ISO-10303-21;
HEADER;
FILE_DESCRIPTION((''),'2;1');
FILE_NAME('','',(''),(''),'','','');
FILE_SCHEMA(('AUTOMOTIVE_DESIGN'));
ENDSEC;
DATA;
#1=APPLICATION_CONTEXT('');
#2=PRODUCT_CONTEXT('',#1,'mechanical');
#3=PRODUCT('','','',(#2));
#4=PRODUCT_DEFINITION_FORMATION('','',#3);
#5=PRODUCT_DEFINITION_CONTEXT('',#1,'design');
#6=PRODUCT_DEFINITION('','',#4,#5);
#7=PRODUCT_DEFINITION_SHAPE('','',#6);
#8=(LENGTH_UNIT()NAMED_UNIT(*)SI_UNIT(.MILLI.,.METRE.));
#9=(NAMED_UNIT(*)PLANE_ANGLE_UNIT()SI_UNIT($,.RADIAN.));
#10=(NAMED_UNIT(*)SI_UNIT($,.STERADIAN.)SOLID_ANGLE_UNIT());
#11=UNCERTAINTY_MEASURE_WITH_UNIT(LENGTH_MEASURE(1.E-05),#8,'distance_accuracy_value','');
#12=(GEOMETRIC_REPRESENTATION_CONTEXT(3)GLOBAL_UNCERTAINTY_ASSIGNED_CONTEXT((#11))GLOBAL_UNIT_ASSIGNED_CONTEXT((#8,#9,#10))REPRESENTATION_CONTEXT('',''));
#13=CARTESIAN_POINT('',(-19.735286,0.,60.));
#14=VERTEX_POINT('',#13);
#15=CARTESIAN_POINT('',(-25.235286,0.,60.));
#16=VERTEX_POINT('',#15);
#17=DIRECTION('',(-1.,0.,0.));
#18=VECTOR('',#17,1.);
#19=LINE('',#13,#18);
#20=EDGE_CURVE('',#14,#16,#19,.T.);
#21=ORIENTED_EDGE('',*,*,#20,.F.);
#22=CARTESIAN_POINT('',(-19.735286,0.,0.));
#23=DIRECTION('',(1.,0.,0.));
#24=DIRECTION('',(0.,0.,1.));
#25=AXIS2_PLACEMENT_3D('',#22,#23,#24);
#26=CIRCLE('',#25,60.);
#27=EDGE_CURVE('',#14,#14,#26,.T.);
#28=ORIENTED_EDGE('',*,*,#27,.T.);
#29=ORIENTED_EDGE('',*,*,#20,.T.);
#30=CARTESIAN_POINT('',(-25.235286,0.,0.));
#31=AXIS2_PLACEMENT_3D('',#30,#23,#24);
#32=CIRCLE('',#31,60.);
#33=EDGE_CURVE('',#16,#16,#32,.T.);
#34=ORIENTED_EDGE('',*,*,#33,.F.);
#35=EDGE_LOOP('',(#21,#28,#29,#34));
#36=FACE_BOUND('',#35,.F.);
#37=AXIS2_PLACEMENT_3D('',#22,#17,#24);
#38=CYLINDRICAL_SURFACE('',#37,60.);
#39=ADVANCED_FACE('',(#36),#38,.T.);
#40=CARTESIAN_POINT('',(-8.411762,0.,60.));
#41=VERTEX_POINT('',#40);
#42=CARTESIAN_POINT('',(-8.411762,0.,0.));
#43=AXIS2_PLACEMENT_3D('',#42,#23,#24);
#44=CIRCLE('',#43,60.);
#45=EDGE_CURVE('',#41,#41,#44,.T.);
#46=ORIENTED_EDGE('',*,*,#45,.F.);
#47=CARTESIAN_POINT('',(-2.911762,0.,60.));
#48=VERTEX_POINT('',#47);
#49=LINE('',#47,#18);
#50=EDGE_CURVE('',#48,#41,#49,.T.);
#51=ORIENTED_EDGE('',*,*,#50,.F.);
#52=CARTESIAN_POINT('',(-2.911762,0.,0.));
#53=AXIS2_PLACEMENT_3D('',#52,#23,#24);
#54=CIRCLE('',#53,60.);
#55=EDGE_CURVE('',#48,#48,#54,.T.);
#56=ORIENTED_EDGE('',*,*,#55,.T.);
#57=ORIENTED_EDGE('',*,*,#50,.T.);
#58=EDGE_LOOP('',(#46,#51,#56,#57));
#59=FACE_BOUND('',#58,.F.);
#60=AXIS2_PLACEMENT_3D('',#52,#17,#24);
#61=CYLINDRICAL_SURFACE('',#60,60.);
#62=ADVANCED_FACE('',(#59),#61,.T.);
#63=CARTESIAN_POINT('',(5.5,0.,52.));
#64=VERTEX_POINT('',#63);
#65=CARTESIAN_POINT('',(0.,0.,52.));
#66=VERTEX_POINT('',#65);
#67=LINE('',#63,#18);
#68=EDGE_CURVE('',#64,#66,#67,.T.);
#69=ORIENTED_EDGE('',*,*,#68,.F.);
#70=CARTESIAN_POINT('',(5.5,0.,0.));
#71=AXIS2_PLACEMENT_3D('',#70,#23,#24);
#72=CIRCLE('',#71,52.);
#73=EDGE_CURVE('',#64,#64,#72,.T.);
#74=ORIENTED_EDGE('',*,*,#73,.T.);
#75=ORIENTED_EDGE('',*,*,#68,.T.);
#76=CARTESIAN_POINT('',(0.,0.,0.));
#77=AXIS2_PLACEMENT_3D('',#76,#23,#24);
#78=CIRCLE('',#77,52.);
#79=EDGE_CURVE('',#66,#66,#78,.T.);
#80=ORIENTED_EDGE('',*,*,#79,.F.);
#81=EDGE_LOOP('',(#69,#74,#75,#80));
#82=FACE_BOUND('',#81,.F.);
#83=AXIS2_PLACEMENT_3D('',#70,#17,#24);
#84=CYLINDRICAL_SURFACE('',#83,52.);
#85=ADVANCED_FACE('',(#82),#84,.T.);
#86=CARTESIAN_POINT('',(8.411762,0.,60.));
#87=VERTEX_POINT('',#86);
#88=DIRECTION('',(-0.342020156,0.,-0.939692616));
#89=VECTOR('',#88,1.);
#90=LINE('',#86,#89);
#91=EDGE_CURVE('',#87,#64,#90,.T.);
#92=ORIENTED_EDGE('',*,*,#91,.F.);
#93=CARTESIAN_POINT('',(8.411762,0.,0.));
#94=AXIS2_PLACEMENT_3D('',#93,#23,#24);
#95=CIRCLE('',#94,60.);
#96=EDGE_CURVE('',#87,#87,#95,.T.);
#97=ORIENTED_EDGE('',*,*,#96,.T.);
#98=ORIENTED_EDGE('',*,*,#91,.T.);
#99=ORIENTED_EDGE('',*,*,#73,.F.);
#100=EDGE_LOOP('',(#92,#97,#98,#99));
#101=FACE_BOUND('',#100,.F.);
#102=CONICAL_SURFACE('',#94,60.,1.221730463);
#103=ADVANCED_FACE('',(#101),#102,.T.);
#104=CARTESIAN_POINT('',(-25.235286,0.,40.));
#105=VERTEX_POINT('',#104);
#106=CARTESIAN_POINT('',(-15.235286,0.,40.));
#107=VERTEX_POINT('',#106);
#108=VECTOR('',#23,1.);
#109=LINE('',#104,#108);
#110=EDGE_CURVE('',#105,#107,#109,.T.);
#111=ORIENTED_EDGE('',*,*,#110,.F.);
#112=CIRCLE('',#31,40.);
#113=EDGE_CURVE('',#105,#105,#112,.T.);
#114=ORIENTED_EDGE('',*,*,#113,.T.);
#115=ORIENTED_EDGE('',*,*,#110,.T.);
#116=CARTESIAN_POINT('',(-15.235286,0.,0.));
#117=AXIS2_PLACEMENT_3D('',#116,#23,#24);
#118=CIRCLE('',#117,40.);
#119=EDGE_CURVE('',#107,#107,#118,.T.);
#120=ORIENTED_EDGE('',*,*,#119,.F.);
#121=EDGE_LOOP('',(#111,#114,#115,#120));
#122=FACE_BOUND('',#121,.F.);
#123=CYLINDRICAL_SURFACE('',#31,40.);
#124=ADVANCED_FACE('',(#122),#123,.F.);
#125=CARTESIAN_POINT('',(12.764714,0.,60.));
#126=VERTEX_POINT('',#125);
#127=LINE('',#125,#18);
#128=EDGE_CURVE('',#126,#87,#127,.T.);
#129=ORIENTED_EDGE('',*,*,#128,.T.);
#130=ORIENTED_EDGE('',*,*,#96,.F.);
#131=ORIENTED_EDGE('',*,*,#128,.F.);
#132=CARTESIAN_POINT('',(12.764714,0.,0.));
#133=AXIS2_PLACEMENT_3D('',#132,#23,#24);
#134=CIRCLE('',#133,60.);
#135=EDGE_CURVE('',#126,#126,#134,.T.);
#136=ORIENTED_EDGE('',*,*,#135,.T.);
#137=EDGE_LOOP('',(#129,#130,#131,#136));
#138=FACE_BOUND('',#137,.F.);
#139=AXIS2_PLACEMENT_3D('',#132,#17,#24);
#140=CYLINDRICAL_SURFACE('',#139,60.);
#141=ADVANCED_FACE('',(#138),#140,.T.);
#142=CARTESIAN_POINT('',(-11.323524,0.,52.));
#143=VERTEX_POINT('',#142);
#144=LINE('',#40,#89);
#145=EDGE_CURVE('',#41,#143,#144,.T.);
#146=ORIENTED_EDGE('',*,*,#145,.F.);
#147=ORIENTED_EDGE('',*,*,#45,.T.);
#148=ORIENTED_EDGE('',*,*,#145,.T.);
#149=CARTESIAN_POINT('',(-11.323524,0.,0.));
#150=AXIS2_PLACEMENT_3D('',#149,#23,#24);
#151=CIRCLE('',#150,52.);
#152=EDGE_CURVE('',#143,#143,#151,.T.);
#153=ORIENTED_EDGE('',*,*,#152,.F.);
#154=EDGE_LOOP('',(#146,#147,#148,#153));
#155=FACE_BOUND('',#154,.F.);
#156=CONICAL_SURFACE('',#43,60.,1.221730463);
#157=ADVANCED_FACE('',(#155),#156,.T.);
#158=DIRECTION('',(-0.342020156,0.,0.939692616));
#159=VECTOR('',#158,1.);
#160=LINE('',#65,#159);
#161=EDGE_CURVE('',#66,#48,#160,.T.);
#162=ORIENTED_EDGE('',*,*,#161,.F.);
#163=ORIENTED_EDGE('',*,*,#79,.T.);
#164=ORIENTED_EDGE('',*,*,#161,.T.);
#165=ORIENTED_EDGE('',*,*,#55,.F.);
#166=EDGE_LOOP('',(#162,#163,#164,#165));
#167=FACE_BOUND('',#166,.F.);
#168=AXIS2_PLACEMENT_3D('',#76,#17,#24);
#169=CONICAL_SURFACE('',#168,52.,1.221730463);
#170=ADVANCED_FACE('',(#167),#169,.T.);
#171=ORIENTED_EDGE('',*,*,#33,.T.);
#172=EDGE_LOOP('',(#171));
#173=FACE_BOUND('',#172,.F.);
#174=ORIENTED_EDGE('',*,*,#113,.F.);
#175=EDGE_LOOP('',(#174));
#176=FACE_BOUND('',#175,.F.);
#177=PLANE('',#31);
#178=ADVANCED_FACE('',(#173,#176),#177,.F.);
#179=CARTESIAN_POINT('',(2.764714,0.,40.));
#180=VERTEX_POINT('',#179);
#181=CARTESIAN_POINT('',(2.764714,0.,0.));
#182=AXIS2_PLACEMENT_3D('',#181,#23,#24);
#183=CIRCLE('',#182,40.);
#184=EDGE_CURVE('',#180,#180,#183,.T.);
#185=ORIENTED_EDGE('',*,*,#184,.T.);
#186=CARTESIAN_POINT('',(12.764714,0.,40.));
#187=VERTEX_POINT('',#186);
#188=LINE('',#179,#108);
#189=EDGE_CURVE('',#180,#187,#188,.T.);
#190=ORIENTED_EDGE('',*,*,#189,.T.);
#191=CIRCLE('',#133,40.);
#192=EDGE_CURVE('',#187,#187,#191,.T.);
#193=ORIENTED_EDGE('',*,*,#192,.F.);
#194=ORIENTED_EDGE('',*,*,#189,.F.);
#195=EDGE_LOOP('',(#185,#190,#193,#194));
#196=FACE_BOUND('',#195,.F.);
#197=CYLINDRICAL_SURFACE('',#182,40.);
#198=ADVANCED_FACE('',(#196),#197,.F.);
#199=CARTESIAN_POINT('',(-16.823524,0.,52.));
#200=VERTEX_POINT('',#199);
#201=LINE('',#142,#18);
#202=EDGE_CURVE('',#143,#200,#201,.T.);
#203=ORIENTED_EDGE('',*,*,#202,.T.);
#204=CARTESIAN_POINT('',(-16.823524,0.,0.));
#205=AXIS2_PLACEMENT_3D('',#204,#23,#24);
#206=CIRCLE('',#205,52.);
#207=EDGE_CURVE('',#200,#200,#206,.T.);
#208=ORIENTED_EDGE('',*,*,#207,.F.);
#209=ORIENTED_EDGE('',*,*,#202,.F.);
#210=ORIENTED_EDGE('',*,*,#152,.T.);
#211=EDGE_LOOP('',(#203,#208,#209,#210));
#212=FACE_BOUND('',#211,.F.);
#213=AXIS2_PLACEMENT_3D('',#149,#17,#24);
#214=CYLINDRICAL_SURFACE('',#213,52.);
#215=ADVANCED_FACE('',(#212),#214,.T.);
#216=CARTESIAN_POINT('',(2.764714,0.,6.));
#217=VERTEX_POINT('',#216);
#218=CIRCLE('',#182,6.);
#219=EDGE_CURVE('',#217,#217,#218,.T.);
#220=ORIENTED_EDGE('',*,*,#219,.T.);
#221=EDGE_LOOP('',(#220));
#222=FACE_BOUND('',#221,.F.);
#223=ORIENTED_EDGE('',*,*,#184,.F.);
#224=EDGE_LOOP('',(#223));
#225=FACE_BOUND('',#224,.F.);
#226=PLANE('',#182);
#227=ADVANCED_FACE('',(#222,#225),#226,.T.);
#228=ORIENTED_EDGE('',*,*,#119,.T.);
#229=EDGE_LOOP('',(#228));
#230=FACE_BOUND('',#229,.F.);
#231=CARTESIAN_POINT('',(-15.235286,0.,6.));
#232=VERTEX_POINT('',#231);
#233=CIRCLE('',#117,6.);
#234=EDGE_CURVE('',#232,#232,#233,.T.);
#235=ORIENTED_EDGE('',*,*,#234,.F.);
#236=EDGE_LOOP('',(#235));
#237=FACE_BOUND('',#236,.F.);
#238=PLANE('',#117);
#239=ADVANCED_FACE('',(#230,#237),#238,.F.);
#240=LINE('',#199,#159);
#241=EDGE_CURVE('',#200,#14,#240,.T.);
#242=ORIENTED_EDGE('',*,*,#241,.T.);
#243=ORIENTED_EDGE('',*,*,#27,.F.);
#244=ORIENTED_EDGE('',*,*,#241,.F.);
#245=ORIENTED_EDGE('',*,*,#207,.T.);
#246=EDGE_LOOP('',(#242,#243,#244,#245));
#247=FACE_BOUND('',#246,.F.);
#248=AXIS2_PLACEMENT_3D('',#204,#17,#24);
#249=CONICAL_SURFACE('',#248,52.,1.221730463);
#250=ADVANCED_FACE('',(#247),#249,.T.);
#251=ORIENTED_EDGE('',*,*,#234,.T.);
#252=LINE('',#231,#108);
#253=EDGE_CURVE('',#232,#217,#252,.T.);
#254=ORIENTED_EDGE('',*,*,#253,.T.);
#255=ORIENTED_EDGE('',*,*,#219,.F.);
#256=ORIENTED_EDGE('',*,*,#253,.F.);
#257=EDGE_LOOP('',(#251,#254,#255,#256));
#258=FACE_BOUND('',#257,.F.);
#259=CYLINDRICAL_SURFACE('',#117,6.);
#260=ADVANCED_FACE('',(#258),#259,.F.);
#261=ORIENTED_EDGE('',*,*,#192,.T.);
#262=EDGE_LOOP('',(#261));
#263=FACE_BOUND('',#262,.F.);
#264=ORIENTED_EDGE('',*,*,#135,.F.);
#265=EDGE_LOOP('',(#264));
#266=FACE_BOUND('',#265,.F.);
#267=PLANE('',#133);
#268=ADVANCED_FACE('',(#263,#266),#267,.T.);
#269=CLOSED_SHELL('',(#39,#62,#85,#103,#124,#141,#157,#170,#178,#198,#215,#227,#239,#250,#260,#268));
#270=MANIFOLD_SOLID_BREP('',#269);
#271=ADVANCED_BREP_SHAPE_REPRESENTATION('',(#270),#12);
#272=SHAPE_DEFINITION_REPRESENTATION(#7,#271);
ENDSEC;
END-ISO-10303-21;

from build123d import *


with BuildPart() as f1:
    # F0 (on Front) → F1 (revolve)
    with BuildSketch(Plane.XZ):
        Polygon((-15.235286, 40), (-15.235286, 6), (2.764714, 6), (2.764714, 40), (12.764714, 40), (12.764714, 60), (8.411762, 60), (5.5, 52), (0, 52), (-2.911762, 60), (-8.411762, 60), (-11.323524, 52), (-16.823524, 52), (-19.735286, 60), (-25.235286, 60), (-25.235286, 40), align=None)
    revolve(axis=Axis((11.867218, 0, 0), (1, 0, 0)))


solid = f1.part
